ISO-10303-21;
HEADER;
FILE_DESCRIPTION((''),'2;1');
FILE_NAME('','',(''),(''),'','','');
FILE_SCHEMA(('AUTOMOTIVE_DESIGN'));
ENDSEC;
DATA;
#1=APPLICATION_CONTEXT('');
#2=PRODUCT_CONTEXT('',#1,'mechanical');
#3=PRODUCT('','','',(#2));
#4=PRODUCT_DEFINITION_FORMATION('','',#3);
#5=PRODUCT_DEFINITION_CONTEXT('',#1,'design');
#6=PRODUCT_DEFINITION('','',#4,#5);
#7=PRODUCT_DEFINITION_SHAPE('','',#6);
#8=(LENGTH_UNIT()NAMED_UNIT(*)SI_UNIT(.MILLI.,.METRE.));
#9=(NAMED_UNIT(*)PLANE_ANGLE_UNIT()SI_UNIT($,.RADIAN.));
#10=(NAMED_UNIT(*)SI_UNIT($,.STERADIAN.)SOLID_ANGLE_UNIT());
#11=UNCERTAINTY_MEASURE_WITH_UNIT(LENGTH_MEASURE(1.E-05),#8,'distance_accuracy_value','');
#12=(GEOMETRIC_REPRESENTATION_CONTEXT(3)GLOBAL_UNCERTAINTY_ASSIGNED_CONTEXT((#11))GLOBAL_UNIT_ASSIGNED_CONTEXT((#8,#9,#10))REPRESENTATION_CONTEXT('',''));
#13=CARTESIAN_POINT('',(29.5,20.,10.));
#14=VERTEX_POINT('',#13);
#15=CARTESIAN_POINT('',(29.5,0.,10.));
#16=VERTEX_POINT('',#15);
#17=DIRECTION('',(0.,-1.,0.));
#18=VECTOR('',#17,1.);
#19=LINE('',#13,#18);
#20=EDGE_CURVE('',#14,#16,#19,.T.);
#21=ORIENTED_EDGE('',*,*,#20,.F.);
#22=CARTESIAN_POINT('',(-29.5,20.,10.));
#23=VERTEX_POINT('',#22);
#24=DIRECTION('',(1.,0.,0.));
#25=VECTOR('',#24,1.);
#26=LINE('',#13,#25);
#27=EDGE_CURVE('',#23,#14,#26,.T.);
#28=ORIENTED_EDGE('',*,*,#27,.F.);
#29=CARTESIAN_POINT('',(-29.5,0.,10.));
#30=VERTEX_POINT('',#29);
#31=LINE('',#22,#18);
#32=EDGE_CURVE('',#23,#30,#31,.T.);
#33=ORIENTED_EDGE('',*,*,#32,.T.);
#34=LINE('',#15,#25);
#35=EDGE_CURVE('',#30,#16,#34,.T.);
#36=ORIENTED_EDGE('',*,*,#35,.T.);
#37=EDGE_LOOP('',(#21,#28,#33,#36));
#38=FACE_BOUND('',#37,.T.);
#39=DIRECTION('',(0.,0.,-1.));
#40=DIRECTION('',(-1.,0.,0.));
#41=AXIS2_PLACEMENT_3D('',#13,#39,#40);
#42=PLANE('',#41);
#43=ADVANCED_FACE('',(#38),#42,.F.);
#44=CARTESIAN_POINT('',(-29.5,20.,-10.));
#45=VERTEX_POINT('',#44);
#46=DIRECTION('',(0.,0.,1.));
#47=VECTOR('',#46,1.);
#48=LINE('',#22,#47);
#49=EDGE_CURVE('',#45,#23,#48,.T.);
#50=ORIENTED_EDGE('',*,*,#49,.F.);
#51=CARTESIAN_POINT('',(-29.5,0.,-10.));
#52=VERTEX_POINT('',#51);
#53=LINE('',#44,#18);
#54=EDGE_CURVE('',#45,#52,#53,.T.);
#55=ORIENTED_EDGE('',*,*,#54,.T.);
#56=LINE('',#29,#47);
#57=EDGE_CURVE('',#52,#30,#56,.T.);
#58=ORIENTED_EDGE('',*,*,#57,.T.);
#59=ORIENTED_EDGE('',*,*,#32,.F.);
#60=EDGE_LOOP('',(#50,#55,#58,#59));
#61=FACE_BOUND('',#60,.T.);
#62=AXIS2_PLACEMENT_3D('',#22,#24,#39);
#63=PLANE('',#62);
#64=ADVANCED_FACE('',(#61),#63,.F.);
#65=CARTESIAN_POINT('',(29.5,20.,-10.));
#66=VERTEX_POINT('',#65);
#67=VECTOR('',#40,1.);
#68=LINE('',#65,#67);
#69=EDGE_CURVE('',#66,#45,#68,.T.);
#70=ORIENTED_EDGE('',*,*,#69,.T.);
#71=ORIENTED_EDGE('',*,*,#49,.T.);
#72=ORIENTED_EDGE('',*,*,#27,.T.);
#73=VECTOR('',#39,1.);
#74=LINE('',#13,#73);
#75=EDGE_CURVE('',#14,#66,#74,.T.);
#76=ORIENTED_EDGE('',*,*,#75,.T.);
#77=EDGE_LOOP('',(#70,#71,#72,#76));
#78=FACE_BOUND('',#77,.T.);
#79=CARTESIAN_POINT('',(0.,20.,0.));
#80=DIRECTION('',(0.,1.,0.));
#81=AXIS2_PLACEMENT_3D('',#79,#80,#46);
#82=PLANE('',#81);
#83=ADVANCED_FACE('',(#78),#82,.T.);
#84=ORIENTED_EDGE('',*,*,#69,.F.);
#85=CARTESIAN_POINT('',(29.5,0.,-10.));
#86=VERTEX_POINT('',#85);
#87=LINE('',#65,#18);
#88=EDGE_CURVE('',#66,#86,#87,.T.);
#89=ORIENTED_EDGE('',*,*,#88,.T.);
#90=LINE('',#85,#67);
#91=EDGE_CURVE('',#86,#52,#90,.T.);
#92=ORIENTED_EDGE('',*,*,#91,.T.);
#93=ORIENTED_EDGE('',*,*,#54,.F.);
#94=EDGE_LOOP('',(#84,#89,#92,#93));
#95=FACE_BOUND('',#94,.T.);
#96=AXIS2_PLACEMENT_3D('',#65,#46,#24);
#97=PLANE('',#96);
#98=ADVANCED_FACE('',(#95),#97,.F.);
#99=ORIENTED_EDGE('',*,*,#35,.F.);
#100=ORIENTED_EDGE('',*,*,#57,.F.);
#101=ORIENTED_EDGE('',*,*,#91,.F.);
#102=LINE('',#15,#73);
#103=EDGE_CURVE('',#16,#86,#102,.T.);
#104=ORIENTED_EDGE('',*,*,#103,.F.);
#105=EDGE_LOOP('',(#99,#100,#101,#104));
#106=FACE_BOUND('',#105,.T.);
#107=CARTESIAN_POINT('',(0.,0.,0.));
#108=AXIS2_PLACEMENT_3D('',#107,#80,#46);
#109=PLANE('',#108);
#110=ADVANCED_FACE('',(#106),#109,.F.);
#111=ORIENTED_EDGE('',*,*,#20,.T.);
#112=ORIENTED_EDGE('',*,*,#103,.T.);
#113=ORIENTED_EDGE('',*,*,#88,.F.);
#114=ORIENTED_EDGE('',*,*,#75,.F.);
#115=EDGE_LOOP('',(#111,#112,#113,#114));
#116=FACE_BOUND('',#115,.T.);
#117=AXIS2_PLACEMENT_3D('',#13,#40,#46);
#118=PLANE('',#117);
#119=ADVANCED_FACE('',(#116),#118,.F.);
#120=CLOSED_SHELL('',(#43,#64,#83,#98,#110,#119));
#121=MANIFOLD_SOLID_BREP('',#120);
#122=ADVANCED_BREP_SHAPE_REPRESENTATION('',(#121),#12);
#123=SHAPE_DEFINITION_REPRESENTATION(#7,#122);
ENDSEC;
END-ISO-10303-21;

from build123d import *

# Parameters (mm, degrees)
SKETCH_1_W      = 59
SKETCH_1_H      = 20
EXTRUDE_1_DEPTH = 20


with BuildPart() as part:
    # 草图1 → 凸台-拉伸1 (new body)
    with BuildSketch(Plane(origin=(0, 0, 0), x_dir=(1, 0, 0), z_dir=(0, 1, 0))):
        Rectangle(SKETCH_1_W, SKETCH_1_H)
    extrude(amount=EXTRUDE_1_DEPTH)


solid = part.part
